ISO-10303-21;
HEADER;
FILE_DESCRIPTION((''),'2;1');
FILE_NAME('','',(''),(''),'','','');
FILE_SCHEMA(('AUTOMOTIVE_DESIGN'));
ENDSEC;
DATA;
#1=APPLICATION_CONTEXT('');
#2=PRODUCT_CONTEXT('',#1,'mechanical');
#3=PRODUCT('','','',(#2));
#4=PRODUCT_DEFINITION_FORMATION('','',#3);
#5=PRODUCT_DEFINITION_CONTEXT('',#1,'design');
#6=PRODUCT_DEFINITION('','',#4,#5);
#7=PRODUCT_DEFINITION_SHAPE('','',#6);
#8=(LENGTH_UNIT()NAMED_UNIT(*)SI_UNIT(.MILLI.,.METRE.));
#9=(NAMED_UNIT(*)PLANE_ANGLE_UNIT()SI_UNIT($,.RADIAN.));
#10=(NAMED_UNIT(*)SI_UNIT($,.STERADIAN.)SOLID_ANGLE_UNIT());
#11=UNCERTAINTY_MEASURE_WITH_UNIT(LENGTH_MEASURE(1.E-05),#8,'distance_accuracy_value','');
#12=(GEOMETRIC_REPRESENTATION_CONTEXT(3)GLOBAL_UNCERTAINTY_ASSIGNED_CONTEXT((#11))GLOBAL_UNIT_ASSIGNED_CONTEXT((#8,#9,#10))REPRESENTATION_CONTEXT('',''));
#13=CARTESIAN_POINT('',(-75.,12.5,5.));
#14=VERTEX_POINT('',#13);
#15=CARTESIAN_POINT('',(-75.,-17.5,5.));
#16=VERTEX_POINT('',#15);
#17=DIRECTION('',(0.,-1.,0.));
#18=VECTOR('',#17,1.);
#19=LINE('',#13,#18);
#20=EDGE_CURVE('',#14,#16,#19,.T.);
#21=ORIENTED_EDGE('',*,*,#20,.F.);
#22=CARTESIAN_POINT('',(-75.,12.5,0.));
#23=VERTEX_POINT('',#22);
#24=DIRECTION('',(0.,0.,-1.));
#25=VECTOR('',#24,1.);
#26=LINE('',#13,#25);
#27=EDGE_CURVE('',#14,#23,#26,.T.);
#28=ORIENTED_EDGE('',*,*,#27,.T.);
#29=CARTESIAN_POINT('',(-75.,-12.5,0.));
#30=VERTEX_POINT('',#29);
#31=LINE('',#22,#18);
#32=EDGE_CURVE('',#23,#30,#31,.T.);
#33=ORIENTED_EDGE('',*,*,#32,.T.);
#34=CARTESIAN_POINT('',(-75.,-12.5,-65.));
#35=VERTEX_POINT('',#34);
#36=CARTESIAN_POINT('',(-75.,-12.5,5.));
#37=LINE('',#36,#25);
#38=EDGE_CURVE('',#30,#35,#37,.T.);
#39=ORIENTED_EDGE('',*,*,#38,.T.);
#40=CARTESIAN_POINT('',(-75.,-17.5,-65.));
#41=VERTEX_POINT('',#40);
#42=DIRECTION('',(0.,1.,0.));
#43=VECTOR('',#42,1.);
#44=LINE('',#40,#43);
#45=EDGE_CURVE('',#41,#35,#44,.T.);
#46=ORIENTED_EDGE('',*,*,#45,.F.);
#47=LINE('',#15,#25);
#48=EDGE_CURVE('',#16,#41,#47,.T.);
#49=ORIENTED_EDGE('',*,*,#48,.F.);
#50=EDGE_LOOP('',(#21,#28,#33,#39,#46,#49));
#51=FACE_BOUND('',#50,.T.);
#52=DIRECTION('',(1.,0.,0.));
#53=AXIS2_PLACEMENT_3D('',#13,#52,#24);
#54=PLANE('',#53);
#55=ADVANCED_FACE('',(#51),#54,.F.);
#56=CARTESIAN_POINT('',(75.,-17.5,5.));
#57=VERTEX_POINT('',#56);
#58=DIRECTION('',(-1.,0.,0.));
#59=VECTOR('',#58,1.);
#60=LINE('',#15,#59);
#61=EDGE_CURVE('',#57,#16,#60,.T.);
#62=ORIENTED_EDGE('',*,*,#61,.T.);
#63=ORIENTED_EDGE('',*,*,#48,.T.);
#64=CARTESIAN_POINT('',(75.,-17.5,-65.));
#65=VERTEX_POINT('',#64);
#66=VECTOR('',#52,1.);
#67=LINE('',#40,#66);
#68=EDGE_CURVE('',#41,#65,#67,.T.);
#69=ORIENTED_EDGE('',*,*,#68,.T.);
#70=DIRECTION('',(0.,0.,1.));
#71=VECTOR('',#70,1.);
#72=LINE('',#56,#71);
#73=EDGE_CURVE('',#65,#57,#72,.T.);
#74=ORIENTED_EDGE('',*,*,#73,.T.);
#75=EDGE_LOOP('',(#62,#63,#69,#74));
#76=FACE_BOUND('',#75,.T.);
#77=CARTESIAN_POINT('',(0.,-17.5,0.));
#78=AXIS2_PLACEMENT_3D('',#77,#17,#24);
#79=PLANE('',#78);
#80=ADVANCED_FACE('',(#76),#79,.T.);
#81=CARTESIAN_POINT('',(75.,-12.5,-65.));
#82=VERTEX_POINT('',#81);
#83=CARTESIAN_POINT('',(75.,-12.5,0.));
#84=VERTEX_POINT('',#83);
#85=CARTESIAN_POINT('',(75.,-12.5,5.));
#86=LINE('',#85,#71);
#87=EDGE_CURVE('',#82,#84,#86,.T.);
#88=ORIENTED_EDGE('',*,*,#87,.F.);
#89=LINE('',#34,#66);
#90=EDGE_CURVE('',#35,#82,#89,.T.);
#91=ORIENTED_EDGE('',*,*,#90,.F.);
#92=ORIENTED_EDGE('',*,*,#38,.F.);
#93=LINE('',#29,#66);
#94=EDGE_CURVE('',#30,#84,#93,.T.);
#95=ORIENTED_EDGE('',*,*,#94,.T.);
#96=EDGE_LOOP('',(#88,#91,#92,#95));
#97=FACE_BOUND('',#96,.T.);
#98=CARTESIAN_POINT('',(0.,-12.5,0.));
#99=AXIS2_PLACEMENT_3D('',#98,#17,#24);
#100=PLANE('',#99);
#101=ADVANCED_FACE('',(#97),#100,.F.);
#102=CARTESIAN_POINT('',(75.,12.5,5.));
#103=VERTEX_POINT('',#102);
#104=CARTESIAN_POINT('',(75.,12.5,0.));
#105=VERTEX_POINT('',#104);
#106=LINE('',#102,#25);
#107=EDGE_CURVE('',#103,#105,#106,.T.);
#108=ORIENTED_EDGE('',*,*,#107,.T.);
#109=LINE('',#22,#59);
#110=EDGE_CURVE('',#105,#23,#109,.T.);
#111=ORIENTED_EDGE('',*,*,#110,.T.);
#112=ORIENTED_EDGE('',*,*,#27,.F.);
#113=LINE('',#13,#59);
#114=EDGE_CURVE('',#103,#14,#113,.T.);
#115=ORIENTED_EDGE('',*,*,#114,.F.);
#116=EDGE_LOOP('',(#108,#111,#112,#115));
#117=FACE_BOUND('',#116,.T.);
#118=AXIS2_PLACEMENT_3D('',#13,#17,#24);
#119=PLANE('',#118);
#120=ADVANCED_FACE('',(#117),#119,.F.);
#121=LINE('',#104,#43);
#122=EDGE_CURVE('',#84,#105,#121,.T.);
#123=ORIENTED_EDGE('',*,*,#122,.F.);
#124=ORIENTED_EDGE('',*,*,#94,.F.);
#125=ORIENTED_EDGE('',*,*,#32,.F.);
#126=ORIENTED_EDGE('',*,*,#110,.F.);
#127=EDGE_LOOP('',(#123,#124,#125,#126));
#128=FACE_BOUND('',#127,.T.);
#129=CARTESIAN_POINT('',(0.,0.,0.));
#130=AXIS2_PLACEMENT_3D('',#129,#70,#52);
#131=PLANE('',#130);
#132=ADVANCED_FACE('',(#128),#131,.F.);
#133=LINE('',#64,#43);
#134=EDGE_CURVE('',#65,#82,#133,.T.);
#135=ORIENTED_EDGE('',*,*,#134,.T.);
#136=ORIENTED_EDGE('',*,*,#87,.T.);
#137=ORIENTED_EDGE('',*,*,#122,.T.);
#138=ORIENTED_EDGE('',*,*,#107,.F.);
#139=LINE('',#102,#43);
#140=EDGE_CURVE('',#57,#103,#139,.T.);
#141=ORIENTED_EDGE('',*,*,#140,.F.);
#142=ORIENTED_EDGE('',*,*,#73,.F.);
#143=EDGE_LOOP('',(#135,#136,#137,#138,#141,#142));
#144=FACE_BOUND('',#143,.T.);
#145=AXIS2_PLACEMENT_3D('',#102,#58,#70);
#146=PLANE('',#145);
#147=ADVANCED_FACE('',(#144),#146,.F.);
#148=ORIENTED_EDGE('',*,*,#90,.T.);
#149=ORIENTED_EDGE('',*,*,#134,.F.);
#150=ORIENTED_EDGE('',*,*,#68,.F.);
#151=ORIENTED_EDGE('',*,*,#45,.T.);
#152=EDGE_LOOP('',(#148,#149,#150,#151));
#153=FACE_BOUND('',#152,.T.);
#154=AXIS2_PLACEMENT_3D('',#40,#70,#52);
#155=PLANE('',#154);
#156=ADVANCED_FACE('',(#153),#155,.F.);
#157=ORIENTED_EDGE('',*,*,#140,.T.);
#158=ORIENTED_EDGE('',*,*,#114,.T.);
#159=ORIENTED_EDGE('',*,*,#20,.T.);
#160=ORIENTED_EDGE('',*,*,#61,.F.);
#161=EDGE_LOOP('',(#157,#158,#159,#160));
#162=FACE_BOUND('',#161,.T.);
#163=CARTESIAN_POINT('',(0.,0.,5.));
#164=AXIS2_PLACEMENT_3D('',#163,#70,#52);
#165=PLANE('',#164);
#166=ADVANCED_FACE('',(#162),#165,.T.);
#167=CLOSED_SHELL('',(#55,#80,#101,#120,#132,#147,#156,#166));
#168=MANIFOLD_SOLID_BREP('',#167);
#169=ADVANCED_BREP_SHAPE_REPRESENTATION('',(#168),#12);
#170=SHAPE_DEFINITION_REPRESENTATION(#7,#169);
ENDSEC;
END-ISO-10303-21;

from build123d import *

# Parameters (mm, degrees)
SKETCH_1_W      = 150
SKETCH_1_H      = 25
EXTRUDE_1_DEPTH = 5
SKETCH_3_W      = 150
SKETCH_3_H      = 70
EXTRUDE_2_DEPTH = 5


with BuildPart() as part:
    # ｽｹｯﾁ1 → ﾎﾞｽ - 押し出し1 (new body)
    with BuildSketch(Plane.XY):
        Rectangle(SKETCH_1_W, SKETCH_1_H)
    extrude(amount=EXTRUDE_1_DEPTH)

    # ｽｹｯﾁ3 → ﾎﾞｽ - 押し出し2 (add)
    with BuildSketch(Plane.XZ.offset(12.5)):
        with Locations((0, -30)):
            Rectangle(SKETCH_3_W, SKETCH_3_H)
    extrude(amount=EXTRUDE_2_DEPTH)


solid = part.part
